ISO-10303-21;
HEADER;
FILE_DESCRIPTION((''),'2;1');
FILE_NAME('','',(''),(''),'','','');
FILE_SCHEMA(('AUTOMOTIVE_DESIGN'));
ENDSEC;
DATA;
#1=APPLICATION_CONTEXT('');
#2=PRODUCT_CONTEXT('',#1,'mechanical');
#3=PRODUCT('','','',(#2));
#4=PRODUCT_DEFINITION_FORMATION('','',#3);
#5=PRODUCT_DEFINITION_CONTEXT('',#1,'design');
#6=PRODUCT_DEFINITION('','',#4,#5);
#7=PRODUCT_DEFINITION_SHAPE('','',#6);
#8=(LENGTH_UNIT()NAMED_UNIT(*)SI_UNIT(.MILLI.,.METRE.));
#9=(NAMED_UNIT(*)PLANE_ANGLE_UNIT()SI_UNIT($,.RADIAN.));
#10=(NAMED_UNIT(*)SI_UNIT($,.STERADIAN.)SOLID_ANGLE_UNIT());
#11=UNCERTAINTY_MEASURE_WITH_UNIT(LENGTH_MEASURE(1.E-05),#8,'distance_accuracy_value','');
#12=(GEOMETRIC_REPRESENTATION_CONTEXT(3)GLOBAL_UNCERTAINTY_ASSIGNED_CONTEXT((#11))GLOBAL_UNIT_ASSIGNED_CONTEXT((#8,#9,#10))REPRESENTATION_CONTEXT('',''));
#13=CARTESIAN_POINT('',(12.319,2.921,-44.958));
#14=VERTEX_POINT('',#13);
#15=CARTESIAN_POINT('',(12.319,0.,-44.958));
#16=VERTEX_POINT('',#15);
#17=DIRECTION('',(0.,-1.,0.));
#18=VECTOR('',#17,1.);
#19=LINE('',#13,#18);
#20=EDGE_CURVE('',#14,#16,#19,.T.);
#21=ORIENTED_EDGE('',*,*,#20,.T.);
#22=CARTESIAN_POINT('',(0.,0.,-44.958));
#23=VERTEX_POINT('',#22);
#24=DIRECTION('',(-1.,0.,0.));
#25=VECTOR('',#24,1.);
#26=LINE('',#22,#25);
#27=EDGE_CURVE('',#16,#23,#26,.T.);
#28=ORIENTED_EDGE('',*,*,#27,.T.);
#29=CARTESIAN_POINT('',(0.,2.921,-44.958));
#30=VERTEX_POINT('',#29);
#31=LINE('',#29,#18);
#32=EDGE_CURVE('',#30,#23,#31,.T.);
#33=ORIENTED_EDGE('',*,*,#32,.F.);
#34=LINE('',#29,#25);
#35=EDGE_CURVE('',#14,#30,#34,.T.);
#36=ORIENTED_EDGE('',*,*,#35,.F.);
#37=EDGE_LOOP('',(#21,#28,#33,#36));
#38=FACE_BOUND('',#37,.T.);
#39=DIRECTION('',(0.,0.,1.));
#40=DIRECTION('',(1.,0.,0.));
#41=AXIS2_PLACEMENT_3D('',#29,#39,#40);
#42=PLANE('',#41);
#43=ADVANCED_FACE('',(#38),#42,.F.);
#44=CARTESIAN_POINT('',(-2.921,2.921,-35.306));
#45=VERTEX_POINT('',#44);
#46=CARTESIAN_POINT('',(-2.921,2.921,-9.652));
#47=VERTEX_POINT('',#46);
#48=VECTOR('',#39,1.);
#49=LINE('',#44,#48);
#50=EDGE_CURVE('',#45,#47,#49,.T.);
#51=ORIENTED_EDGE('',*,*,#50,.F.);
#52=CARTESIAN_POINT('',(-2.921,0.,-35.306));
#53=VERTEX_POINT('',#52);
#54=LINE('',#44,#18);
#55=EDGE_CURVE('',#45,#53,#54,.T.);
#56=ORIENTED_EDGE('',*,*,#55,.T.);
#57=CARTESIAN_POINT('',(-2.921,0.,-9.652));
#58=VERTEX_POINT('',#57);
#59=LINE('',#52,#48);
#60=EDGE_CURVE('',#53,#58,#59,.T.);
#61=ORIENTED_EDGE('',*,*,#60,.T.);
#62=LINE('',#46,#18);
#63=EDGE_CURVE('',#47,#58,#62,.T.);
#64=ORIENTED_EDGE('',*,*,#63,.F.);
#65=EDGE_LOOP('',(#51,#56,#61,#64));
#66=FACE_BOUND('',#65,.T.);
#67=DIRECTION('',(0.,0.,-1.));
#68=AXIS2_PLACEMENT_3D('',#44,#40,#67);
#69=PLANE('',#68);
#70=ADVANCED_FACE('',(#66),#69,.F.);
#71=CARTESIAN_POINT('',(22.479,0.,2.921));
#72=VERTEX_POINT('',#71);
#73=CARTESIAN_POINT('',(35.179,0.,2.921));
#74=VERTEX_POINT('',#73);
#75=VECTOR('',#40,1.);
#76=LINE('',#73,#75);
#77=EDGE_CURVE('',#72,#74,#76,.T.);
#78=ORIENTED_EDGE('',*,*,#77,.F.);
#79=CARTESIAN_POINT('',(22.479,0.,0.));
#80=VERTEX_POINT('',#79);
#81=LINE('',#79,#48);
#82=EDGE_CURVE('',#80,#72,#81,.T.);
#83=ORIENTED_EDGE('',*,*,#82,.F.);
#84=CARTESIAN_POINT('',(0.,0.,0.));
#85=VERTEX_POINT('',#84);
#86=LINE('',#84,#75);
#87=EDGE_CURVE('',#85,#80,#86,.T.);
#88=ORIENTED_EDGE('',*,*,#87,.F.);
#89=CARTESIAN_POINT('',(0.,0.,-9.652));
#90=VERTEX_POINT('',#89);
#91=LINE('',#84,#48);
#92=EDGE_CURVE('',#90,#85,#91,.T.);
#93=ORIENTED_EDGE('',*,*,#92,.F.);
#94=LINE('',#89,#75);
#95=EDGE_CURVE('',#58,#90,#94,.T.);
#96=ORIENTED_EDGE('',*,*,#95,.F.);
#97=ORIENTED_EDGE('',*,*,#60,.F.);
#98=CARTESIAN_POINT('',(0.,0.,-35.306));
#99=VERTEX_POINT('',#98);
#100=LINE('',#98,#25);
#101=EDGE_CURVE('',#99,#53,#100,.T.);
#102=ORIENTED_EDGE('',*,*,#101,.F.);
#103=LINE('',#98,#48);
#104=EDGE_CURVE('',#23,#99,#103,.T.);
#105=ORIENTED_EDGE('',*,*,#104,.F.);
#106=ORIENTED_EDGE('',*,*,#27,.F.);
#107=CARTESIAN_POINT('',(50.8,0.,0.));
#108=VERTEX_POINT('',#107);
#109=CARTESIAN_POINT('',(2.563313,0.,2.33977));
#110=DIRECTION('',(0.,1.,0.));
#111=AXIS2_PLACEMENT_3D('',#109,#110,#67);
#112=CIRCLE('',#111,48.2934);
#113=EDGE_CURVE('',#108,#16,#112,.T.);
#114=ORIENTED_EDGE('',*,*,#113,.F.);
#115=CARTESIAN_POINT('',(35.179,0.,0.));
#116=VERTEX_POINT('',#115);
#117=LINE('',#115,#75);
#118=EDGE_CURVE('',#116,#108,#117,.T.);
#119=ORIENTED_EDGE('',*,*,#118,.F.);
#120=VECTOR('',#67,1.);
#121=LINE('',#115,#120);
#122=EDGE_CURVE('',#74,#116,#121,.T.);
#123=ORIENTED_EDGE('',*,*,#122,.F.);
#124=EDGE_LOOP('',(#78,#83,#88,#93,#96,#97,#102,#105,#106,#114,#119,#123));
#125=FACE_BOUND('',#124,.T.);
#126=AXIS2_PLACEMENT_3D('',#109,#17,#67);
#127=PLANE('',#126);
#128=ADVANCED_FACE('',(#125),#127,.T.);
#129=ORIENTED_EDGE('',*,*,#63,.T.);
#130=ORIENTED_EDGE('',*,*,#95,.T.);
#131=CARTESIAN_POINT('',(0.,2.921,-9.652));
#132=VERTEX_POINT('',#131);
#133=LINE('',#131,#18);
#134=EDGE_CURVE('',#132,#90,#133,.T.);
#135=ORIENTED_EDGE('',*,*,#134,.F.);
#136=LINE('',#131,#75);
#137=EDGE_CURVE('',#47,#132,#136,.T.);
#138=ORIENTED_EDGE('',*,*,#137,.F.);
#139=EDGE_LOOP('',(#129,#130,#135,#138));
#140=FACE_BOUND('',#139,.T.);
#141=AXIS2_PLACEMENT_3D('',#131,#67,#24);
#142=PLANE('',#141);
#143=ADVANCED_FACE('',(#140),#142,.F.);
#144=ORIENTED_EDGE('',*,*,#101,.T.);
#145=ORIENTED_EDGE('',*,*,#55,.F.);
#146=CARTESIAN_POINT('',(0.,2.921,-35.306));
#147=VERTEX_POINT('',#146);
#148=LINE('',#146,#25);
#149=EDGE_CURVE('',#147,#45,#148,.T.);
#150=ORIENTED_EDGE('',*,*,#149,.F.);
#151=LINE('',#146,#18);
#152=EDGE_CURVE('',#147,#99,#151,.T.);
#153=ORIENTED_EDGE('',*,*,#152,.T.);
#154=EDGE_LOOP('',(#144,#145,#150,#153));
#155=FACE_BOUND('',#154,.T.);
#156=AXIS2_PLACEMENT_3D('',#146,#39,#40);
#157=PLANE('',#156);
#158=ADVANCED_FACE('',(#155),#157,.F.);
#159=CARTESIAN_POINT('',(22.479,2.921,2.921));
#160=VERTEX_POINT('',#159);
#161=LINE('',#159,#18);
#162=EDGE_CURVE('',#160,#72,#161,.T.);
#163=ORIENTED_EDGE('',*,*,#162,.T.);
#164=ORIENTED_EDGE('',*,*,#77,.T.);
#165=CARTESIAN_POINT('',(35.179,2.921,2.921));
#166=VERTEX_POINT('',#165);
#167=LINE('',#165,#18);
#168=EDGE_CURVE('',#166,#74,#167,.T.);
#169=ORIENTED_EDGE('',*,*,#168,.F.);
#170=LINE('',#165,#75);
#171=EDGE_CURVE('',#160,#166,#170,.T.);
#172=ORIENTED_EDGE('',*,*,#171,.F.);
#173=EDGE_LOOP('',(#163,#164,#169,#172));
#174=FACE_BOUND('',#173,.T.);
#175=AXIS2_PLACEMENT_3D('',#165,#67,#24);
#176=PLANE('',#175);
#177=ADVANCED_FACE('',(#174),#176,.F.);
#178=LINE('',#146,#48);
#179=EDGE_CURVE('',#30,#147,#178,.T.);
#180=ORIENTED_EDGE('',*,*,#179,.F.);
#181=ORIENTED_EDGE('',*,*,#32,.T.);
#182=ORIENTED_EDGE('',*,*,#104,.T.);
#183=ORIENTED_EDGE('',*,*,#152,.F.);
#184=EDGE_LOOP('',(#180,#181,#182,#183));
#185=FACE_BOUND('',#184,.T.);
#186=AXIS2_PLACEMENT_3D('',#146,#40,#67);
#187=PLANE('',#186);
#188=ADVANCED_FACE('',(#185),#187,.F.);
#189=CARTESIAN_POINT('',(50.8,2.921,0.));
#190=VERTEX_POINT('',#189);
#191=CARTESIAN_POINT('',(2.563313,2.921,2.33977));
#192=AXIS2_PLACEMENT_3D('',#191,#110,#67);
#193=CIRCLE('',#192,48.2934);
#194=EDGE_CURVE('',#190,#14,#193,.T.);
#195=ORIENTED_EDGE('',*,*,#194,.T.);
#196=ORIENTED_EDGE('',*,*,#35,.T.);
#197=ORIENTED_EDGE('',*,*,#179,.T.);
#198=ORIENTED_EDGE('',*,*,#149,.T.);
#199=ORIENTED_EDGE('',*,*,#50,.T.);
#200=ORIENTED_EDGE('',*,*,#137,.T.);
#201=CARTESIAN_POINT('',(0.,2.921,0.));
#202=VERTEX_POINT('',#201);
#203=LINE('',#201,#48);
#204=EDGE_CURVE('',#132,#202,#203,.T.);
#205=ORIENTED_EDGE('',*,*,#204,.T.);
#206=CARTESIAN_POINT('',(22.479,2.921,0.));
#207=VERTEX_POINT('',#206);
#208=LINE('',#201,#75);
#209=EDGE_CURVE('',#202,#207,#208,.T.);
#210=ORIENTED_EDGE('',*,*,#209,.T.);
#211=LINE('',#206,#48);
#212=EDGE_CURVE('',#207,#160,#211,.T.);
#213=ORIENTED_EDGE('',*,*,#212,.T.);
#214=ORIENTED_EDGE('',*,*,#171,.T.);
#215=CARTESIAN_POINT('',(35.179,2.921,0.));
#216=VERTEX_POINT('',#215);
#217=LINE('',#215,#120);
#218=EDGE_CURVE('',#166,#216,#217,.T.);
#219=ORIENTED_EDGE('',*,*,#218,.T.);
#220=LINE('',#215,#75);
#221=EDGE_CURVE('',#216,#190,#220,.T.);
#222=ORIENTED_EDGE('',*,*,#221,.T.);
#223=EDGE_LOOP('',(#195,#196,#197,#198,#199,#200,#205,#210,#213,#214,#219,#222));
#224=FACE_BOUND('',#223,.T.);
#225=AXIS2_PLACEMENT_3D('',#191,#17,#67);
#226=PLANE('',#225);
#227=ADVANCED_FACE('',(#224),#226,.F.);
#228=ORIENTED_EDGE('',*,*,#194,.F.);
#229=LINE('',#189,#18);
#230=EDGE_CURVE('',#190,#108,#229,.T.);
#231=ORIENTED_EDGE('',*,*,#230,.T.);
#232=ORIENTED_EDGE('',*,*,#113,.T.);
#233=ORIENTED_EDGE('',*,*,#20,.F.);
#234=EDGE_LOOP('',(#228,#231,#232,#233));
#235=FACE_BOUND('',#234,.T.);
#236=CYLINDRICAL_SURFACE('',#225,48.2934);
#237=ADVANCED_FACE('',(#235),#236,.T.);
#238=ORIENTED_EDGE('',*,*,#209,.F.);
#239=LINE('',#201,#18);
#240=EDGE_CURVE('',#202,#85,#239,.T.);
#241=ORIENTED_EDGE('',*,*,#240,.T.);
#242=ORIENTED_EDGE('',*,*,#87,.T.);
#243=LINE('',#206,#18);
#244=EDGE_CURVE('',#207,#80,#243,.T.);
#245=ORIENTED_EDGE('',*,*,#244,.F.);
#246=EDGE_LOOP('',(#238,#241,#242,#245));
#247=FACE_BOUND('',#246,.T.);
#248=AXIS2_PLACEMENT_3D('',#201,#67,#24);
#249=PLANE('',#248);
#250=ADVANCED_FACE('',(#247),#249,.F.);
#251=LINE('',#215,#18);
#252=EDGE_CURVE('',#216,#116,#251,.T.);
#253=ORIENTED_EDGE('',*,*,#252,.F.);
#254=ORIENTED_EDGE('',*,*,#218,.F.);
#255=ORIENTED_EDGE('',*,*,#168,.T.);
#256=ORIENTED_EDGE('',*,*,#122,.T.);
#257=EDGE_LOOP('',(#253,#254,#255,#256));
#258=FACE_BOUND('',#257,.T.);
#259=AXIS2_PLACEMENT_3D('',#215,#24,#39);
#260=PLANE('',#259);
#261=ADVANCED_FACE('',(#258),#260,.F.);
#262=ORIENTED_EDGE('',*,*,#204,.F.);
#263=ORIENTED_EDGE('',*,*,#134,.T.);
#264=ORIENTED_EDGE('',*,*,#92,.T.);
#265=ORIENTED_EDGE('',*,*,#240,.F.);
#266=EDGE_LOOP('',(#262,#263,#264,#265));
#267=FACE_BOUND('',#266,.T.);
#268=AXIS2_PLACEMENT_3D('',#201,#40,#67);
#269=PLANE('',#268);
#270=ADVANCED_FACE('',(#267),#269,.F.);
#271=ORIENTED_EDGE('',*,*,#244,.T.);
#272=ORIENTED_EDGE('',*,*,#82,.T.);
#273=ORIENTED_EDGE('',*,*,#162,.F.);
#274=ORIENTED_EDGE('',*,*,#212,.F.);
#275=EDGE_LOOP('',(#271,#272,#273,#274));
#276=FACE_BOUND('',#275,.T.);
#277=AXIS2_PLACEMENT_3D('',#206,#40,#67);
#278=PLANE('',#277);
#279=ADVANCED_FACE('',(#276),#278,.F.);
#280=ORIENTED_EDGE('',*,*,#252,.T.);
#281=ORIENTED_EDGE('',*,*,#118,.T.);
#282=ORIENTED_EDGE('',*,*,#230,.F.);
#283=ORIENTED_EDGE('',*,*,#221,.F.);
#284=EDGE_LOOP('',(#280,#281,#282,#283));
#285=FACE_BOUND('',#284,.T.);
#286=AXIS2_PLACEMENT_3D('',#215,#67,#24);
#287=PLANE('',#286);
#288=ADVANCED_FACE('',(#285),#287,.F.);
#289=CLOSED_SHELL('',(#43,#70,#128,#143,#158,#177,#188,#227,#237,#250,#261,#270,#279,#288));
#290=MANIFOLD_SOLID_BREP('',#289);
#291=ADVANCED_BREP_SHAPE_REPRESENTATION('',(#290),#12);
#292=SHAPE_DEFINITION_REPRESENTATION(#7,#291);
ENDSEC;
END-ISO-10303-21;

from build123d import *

# Parameters (mm, degrees)
BOSS_EXTRUDE1_DEPTH = 2.921


with BuildPart() as part:
    # Sketch2 → Boss-Extrude1 (new body)
    with BuildSketch(Plane(origin=(0, 0, 0), x_dir=(1, 0, 0), z_dir=(0, 1, 0))):
        with BuildLine():
            Line((35.179, 0), (50.8, 0))
            ThreePointArc((50.8, 0), (39.252334483, 29.06354477), (12.319, 44.958))
            Line((12.319, 44.958), (0, 44.958))
            Line((0, 44.958), (0, 35.306))
            Line((0, 35.306), (-2.921, 35.306))
            Line((-2.921, 35.306), (-2.921, 9.652))
            Line((-2.921, 9.652), (0, 9.652))
            Line((0, 9.652), (0, 0))
            Line((0, 0), (22.479, 0))
            Line((22.479, 0), (22.479, -2.921))
            Line((22.479, -2.921), (35.179, -2.921))
            Line((35.179, -2.921), (35.179, 0))
        make_face()
    extrude(amount=BOSS_EXTRUDE1_DEPTH)


solid = part.part
